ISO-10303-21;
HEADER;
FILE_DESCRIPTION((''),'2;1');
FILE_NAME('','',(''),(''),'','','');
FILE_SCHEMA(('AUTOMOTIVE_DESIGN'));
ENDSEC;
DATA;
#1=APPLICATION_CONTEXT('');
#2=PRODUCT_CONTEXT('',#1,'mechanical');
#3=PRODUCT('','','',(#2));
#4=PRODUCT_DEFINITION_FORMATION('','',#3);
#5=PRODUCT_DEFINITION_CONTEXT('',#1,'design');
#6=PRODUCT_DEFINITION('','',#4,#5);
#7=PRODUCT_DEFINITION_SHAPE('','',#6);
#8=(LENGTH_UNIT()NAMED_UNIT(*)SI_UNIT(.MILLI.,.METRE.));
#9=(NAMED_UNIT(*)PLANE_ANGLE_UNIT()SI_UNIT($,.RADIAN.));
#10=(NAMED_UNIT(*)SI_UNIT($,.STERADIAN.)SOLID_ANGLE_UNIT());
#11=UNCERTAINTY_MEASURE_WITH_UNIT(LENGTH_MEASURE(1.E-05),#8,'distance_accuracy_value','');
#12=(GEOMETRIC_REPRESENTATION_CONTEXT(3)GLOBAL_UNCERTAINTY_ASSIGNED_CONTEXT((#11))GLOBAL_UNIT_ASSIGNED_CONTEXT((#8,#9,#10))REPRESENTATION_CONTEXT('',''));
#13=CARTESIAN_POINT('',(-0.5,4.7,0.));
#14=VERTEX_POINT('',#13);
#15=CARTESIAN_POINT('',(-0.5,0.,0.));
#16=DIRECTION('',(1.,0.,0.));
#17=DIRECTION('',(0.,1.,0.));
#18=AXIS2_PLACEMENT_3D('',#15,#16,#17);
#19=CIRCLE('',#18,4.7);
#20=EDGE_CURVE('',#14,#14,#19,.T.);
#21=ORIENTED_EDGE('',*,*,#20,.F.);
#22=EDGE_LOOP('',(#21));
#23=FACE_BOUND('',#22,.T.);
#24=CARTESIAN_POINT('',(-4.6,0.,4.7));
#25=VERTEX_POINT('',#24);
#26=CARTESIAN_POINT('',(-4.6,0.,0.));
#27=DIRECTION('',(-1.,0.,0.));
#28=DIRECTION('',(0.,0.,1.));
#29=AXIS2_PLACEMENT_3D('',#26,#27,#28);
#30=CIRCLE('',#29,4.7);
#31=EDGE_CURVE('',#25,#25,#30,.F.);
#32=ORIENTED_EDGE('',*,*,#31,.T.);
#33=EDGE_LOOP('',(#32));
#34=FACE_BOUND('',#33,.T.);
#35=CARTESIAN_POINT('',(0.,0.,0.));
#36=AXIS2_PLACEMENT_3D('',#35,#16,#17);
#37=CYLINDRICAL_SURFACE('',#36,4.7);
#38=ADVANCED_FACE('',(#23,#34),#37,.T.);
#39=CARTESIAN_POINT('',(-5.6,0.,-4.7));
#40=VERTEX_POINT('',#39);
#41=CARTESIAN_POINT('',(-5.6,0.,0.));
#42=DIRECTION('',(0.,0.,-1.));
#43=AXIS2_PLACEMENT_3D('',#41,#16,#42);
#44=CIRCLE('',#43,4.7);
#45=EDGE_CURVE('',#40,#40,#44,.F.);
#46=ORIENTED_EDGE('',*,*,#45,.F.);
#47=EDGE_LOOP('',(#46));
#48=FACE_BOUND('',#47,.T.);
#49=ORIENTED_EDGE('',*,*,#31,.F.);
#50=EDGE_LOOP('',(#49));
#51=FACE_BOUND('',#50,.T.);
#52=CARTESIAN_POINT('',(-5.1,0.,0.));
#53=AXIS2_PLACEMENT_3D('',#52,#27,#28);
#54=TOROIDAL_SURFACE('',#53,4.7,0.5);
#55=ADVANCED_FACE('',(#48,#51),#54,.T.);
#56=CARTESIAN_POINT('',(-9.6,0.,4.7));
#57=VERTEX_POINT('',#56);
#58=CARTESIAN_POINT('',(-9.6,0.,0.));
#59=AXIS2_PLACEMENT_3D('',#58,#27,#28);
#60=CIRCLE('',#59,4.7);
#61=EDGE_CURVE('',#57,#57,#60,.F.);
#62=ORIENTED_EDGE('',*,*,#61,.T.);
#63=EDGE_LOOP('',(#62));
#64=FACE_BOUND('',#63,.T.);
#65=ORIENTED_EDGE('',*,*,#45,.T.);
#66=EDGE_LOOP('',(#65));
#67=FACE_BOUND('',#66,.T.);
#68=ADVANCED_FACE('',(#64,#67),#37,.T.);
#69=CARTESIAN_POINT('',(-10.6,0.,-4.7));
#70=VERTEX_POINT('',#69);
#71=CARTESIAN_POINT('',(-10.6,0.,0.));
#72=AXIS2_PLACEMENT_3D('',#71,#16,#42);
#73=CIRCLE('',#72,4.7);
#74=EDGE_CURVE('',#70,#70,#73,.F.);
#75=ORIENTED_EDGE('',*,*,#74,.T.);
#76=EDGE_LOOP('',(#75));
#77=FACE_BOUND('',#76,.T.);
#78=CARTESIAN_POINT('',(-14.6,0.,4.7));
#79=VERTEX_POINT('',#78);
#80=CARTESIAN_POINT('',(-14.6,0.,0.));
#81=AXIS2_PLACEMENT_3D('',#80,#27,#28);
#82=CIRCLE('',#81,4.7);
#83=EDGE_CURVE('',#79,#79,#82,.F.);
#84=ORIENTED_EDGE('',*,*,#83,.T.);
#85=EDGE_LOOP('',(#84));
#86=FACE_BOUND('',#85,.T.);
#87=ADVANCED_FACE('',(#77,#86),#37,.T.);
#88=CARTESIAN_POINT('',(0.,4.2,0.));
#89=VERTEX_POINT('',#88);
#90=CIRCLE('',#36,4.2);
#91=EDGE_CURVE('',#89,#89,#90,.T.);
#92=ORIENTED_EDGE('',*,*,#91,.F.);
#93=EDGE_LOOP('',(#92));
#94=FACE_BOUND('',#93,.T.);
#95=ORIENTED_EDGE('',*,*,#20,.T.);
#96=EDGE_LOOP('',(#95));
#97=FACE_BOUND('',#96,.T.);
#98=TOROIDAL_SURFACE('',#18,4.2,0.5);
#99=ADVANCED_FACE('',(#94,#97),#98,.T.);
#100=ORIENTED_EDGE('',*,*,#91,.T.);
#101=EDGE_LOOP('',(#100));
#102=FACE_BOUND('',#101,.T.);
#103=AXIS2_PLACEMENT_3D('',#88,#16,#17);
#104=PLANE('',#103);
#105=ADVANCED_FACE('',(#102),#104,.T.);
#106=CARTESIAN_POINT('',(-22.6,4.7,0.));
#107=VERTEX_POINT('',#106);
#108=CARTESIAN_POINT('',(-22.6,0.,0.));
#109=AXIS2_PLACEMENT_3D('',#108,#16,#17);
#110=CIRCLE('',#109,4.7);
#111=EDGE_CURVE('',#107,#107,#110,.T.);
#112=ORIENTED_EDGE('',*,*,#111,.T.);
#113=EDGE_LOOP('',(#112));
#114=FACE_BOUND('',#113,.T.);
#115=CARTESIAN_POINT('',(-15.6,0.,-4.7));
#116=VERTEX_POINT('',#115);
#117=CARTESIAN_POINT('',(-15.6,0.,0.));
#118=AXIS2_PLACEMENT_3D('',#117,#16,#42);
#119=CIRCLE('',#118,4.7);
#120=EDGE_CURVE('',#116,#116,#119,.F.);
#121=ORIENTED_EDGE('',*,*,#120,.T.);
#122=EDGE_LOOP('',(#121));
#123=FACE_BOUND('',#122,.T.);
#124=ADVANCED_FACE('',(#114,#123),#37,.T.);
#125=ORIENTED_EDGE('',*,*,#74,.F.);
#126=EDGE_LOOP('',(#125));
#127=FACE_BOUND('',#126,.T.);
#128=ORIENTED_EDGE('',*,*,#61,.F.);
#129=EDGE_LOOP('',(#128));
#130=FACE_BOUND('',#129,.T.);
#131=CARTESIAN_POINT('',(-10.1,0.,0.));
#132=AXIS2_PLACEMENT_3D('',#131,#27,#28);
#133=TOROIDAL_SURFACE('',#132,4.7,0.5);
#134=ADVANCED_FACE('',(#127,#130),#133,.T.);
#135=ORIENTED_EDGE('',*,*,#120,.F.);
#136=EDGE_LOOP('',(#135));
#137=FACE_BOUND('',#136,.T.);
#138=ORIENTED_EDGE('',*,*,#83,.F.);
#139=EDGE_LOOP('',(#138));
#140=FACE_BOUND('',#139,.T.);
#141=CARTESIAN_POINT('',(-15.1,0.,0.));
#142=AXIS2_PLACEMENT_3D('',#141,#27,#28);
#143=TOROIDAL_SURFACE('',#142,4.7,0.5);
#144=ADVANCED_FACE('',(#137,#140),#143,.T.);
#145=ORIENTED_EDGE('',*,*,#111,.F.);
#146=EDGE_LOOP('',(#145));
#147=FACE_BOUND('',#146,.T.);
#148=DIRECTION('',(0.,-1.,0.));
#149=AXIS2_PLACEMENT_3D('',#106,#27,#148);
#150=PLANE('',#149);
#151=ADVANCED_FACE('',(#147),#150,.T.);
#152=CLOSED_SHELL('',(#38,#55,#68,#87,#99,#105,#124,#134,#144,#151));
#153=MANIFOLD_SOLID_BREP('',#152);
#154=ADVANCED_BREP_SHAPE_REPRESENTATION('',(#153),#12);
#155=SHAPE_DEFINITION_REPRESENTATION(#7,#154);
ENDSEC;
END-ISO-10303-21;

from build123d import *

# Parameters (mm, degrees)
SKETCH2_R       = 0.5
LPATTERN1_COUNT = 3
LPATTERN1_PITCH = 5


with BuildPart() as part:
    # Sketch1 → Revolve1 (revolve)
    with BuildSketch(Plane.XY):
        with BuildLine():
            Line((-22.6, 4.7), (-22.6, 0))
            Line((-22.6, 0), (0, 0))
            Line((0, 0), (0, 4.2))
            ThreePointArc((0, 4.2), (-0.146446609, 4.553553391), (-0.5, 4.7))
            Line((-0.5, 4.7), (-22.6, 4.7))
        make_face()
    revolve(axis=Axis((0, 0, 0), (-1, 0, 0)))

    # Sketch2 → Revolve2 (revolve)
    with BuildSketch(Plane.XY):
        with Locations((-15.1, 4.7)):
            Circle(SKETCH2_R)
    revolve2 = revolve(axis=Axis((-22.6, 0, 0), (1, 0, 0)))

    # LPattern1: Revolve2 ×3
    with Locations(*[(i * LPATTERN1_PITCH, 0, 0) for i in range(1, LPATTERN1_COUNT)]):
        add(revolve2)


solid = part.part
